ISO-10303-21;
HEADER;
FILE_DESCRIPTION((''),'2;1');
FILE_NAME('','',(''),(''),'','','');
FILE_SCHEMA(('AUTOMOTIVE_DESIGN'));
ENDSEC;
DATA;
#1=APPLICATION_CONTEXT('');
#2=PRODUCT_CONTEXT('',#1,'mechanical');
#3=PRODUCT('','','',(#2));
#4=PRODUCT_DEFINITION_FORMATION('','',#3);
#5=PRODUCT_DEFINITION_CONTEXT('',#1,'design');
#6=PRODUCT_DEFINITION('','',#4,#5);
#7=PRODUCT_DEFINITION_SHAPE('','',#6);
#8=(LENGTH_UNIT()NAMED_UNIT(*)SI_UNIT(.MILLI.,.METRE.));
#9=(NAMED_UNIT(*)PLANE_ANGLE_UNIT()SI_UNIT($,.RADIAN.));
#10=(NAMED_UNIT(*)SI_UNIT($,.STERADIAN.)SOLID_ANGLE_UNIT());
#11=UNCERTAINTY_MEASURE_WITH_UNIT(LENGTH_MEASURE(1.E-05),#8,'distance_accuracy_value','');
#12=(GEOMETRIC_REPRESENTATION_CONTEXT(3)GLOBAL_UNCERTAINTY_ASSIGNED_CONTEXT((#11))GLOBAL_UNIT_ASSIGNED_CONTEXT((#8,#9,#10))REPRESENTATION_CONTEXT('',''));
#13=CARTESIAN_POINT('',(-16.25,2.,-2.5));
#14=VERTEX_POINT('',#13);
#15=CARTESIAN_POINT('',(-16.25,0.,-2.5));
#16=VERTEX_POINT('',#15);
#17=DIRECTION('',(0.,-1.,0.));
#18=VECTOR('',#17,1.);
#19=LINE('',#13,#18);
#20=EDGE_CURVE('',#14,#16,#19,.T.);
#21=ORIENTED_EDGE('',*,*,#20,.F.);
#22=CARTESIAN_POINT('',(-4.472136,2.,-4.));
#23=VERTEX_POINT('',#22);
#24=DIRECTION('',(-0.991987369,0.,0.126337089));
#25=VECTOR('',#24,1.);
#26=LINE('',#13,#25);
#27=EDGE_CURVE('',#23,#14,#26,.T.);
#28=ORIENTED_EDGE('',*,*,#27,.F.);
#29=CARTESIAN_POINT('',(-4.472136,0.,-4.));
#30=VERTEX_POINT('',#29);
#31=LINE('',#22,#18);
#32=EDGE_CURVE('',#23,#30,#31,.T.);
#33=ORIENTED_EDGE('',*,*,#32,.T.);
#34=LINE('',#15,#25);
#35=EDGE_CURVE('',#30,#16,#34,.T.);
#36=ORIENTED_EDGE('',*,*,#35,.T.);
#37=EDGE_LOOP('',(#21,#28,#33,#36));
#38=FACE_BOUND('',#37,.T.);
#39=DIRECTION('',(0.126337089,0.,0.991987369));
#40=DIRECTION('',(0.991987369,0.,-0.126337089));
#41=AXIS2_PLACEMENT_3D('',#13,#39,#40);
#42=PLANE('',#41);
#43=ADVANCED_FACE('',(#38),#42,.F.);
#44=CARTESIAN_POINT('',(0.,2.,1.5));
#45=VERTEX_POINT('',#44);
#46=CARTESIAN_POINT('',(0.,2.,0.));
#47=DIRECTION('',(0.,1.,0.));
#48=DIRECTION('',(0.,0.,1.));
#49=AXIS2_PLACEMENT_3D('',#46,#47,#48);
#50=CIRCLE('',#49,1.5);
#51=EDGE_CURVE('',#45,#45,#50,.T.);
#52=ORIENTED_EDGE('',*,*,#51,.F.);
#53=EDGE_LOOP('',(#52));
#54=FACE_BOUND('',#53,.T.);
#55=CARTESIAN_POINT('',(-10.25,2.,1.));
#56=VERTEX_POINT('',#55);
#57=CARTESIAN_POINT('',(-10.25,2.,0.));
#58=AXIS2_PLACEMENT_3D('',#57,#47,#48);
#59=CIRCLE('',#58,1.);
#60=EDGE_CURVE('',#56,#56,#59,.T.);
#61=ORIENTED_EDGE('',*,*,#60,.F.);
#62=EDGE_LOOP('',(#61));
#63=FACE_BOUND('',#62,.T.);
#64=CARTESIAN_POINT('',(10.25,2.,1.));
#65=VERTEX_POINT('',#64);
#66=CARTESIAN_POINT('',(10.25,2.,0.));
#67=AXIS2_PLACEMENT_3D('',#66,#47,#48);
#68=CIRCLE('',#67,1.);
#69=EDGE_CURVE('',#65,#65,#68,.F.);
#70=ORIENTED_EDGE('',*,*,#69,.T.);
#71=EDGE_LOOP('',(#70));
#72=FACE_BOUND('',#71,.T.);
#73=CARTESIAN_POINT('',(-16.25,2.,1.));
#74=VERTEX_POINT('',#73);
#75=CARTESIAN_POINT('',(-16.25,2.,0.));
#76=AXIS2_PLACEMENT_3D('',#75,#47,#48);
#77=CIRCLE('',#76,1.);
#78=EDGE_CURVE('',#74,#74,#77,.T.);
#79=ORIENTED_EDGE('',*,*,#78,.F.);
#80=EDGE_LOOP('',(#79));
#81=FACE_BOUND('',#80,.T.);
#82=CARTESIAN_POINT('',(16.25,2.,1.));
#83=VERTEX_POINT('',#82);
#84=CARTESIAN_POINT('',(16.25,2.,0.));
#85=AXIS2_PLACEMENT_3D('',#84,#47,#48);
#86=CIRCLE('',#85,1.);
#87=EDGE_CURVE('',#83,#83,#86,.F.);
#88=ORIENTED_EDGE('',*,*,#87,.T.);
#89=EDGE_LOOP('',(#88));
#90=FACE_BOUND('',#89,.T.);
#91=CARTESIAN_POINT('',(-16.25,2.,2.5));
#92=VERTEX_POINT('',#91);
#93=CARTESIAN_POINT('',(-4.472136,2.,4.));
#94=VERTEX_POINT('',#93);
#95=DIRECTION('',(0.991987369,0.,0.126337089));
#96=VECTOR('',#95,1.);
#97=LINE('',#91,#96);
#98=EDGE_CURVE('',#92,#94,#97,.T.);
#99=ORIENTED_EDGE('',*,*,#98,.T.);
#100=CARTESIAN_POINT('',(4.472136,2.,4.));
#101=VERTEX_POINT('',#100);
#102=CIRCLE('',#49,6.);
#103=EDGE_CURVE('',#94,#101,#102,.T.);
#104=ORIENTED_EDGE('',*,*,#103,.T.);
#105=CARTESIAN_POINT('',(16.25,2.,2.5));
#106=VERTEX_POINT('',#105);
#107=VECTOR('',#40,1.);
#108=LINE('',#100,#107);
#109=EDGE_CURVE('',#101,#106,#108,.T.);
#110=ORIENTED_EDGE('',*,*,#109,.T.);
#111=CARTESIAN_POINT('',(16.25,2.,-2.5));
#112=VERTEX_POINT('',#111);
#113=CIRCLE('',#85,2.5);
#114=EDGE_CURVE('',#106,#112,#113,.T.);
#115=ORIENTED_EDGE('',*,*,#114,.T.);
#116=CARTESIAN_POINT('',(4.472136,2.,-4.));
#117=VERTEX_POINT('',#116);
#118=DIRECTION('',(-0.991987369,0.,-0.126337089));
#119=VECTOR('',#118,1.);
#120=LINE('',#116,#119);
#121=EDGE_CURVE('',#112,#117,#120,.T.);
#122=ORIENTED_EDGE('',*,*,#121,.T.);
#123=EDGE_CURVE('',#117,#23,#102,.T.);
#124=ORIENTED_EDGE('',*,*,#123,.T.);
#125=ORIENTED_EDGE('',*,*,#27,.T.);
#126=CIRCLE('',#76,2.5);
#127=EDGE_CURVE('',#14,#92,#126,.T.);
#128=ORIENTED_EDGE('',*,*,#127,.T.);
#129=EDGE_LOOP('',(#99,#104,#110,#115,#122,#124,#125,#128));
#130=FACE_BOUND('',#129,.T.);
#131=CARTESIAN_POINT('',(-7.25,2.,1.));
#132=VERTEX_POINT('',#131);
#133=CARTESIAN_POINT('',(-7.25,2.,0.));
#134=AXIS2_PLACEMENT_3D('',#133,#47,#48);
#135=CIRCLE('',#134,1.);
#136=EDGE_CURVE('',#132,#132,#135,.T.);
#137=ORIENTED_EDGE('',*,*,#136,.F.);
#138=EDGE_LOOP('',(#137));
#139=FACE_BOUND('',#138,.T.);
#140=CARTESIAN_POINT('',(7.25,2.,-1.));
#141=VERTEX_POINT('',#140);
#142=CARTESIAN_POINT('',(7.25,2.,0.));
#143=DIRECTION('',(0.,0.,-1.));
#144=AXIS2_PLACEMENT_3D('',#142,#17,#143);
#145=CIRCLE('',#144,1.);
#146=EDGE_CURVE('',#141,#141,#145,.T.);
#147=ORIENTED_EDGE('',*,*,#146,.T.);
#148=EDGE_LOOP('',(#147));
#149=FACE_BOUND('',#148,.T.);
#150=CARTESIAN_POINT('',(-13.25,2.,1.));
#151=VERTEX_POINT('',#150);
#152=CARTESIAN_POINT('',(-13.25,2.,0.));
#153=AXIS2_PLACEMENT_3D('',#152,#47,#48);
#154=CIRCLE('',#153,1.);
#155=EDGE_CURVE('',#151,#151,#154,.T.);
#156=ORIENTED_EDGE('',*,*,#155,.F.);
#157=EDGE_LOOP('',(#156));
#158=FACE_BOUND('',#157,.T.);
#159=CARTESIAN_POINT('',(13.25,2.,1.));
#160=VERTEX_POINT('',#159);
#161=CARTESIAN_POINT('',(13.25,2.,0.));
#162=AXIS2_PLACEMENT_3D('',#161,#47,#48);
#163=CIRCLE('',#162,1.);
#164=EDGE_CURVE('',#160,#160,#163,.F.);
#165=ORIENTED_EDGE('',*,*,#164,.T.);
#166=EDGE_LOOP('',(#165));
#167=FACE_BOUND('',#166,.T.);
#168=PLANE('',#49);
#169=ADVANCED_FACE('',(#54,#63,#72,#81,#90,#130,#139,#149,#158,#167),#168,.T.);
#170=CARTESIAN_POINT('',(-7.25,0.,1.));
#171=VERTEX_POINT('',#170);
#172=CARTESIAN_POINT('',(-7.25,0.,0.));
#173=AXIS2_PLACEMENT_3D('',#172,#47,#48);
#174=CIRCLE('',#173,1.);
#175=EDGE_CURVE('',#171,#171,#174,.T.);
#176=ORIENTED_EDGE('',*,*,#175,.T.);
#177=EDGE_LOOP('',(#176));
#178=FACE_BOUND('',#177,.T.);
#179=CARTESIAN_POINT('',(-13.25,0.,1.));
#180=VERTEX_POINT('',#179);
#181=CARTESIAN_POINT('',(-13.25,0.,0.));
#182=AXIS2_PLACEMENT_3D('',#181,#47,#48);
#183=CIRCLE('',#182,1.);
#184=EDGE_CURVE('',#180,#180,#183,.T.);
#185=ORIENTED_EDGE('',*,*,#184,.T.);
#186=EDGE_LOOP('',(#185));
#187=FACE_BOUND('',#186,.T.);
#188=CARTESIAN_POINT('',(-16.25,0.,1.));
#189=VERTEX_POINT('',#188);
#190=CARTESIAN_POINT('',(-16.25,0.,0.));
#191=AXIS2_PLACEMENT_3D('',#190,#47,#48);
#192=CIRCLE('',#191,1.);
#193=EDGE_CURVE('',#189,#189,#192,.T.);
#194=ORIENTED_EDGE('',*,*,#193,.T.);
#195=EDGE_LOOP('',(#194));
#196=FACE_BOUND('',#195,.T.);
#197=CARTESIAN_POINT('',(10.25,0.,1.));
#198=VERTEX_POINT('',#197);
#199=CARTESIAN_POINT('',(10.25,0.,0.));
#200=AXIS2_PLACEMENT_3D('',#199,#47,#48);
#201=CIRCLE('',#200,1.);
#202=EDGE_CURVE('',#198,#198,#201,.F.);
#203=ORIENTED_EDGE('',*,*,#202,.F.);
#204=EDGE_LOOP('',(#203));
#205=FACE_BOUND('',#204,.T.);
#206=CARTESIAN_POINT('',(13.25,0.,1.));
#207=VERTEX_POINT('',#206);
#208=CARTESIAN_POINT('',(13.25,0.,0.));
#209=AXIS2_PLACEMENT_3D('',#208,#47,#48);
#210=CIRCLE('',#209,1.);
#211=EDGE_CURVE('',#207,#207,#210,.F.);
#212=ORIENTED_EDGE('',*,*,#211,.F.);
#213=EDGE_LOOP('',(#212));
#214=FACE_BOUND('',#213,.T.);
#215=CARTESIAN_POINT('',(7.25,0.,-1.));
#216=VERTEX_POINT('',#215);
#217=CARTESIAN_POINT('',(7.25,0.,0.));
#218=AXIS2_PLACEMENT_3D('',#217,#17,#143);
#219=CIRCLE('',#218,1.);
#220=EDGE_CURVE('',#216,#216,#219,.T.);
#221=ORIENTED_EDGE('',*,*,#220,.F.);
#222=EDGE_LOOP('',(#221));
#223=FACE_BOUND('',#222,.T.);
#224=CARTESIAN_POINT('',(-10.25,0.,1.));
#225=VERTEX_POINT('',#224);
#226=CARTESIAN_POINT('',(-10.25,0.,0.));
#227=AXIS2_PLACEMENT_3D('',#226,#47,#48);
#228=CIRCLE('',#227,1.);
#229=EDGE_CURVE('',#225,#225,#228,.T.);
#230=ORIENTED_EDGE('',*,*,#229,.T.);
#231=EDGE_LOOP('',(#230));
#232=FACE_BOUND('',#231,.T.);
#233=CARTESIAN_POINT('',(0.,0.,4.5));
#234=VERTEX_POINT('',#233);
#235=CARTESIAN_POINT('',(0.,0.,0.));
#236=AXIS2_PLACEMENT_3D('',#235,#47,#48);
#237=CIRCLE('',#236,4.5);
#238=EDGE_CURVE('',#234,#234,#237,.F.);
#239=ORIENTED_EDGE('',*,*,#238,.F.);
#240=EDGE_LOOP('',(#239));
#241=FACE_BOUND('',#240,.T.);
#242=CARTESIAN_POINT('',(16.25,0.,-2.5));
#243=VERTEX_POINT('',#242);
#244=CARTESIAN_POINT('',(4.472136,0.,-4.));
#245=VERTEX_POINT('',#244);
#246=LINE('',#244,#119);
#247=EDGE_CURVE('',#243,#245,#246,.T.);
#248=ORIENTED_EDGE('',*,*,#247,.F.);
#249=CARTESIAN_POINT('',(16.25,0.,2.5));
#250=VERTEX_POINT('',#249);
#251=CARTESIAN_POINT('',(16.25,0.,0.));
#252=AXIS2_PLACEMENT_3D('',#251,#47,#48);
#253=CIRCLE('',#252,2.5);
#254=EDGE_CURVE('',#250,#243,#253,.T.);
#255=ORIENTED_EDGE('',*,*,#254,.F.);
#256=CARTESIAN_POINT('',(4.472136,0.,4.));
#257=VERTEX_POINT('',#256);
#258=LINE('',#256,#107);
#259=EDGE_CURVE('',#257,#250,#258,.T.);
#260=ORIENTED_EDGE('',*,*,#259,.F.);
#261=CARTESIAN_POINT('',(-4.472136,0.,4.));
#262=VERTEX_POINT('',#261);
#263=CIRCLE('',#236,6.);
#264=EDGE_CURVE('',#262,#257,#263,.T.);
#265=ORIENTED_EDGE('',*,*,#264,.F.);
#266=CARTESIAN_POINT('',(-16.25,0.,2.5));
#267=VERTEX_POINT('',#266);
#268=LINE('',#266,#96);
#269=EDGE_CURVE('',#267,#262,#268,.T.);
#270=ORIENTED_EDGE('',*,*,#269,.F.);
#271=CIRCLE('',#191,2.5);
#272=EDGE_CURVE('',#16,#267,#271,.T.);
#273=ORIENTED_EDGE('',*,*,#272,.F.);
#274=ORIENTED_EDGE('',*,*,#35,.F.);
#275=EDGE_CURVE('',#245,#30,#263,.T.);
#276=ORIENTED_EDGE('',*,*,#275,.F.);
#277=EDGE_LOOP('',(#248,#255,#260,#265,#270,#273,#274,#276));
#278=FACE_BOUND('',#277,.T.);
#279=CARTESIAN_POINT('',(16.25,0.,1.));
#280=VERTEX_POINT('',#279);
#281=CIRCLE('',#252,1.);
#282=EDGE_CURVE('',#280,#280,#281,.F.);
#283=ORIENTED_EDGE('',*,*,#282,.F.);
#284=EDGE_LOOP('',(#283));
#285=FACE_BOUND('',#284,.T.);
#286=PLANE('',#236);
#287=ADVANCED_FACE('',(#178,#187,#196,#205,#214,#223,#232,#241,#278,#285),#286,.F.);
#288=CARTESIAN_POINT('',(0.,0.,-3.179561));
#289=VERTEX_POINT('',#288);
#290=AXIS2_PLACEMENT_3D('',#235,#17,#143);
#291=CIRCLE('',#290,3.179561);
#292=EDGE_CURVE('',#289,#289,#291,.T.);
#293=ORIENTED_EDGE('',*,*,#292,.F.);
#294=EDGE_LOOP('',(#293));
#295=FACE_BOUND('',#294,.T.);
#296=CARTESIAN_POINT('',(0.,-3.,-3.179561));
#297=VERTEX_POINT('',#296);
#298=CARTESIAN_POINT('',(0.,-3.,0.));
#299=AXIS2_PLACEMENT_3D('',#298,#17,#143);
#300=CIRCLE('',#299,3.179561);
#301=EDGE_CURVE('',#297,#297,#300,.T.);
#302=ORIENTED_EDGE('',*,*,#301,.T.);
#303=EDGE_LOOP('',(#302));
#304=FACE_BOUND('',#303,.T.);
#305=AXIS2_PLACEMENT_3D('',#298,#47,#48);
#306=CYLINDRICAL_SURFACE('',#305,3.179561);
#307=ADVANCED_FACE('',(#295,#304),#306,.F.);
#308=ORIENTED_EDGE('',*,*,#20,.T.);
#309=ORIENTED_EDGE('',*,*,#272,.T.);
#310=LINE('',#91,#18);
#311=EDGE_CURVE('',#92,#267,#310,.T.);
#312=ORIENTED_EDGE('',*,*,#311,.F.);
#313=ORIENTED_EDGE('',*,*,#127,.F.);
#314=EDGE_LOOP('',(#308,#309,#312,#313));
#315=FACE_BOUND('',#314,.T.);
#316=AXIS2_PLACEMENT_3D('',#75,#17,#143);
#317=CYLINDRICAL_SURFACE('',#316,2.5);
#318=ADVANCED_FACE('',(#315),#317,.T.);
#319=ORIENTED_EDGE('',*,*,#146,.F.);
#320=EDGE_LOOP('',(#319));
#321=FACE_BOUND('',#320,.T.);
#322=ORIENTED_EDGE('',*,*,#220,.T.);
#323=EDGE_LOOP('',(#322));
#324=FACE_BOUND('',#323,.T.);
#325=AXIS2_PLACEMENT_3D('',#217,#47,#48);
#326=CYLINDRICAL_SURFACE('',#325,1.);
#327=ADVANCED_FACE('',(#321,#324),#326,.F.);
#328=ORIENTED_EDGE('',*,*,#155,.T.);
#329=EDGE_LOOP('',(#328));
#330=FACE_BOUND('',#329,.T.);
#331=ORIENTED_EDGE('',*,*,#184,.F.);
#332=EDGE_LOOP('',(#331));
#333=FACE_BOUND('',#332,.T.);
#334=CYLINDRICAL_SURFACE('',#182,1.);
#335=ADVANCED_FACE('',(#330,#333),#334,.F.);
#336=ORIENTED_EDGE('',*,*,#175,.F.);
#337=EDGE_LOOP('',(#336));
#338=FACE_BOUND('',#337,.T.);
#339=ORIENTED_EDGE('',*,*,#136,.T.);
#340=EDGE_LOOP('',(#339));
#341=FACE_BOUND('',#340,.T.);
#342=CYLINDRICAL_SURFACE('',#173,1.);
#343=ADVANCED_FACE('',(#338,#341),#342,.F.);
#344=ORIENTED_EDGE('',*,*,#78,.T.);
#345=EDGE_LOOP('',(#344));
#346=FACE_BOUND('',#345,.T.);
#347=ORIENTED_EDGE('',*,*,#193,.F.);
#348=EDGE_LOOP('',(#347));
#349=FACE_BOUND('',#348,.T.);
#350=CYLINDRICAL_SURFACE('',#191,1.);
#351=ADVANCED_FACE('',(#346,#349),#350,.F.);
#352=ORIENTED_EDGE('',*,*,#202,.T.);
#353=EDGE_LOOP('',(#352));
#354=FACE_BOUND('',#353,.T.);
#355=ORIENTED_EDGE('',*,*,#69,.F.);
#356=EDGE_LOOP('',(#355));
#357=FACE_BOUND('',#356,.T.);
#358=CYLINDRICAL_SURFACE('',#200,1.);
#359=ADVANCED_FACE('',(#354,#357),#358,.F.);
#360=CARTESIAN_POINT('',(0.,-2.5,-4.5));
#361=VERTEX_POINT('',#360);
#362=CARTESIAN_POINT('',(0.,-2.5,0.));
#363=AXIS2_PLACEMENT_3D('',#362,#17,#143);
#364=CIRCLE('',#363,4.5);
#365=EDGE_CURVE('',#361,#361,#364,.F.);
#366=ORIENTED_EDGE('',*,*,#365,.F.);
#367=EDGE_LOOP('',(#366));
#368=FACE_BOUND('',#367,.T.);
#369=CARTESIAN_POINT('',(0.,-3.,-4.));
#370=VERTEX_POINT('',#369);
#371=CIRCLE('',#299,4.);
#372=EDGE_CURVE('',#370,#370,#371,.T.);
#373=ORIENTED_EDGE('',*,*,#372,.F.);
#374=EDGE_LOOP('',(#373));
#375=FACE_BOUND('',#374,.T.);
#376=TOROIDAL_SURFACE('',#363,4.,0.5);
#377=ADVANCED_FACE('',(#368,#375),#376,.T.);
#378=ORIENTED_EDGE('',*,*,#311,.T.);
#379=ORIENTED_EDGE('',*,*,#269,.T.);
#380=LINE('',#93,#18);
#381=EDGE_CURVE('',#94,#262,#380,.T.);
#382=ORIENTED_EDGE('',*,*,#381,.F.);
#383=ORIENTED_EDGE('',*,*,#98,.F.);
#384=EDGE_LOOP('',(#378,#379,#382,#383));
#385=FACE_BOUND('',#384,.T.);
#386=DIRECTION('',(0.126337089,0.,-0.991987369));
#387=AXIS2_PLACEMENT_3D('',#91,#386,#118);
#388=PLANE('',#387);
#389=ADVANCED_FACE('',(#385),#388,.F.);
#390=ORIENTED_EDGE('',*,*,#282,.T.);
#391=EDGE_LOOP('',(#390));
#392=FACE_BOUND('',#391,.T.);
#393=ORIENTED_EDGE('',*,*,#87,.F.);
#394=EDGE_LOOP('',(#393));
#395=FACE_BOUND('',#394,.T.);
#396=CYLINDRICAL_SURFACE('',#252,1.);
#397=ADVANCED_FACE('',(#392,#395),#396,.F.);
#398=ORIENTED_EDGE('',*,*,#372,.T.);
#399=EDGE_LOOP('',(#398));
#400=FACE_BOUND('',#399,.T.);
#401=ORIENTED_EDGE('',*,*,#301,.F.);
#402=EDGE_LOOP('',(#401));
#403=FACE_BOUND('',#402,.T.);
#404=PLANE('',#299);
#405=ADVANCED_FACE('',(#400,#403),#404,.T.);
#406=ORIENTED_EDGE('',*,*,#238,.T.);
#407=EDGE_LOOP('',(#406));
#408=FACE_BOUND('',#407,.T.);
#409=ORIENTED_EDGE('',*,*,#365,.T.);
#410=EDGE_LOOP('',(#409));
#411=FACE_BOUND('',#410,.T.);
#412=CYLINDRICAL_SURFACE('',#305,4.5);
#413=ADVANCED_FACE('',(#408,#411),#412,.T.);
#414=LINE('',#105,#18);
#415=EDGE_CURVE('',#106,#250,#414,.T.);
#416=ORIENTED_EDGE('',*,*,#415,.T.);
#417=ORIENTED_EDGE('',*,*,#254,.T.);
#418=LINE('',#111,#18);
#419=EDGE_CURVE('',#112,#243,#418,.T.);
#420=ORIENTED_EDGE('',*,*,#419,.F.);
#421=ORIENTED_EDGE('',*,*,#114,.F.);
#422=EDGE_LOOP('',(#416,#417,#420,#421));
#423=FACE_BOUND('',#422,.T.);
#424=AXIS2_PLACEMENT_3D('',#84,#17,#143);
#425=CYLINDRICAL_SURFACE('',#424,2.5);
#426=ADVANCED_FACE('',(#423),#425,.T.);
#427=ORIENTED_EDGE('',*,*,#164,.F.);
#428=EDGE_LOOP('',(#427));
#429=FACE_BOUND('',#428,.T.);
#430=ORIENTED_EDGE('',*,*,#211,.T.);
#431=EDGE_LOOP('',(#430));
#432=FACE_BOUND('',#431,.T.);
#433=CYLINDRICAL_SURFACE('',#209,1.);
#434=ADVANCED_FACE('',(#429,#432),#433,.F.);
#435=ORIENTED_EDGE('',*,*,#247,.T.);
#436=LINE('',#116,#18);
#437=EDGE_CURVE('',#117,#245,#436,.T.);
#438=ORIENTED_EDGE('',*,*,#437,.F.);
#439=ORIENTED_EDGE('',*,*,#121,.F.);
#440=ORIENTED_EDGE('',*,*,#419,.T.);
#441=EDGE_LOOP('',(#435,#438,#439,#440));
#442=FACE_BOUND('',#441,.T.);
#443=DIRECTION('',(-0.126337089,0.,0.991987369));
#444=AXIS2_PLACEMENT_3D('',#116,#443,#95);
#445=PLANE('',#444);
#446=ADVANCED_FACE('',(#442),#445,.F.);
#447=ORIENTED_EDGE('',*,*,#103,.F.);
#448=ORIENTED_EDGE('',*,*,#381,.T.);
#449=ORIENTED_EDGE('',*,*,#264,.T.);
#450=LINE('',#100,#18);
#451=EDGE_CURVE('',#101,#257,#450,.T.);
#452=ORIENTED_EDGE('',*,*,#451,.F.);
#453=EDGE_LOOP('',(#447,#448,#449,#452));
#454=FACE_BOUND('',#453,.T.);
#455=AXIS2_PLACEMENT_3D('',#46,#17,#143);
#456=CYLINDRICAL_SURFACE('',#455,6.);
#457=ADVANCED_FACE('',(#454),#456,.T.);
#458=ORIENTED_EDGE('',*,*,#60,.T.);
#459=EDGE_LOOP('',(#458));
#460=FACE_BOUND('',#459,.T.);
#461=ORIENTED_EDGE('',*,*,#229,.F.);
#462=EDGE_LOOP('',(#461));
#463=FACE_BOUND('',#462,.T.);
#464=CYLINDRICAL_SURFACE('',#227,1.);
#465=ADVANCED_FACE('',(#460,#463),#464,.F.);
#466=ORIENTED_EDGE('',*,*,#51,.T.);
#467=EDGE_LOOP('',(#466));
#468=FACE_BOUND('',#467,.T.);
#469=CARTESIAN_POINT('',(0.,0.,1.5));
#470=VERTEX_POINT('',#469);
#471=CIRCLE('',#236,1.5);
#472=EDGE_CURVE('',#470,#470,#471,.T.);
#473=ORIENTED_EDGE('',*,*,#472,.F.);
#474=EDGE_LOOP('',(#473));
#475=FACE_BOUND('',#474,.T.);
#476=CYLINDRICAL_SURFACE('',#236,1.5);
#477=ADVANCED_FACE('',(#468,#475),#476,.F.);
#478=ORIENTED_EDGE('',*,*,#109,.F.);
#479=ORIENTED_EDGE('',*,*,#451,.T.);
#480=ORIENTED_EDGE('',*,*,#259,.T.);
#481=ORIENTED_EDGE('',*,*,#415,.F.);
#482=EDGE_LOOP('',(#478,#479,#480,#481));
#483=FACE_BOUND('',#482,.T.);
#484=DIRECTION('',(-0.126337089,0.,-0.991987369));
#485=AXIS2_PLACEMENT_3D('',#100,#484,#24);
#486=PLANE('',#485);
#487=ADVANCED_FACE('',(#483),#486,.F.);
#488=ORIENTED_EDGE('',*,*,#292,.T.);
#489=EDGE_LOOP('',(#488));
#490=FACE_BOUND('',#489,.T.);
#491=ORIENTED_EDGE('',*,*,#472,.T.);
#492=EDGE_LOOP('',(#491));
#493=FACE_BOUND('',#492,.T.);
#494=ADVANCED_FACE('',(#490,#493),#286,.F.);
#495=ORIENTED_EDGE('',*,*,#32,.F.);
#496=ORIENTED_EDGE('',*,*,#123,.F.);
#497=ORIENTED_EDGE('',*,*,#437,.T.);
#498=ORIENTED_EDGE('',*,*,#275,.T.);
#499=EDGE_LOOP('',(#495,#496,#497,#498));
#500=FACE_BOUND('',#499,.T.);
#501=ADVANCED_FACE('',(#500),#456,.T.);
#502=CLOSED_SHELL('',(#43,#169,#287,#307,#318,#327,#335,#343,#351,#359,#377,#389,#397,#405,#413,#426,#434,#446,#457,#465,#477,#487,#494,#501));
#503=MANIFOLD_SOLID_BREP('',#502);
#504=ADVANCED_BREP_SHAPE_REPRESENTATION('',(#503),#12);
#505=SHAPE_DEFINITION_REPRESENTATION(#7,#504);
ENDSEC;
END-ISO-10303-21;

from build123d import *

# Parameters (mm, degrees)
BOSS_EXTRUDE1_DEPTH = 2
SKETCH3_R           = 1
SKETCH3_R_2         = 1.5
CUT_EXTRUDE1_DEPTH  = 20.787938245
SKETCH4_R           = 4.5
SKETCH4_R_2         = 3.179560916
BOSS_EXTRUDE2_DEPTH = 3
FILLET1_R           = 0.5


with BuildPart() as part:
    # Sketch1 → Boss-Extrude1 (new body)
    with BuildSketch(Plane(origin=(0, 0, 0), x_dir=(1, 0, 0), z_dir=(0, 1, 0))):
        with BuildLine():
            Line((4.472135955, 4), (16.25, 2.5))
            ThreePointArc((16.25, 2.5), (18.75, 0), (16.25, -2.5))
            Line((16.25, -2.5), (4.472135955, -4))
            ThreePointArc((4.472135955, -4), (0, -6), (-4.472135955, -4))
            Line((-4.472135955, -4), (-16.25, -2.5))
            ThreePointArc((-16.25, -2.5), (-18.75, 0), (-16.25, 2.5))
            Line((-16.25, 2.5), (-4.472135955, 4))
            ThreePointArc((-4.472135955, 4), (0, 6), (4.472135955, 4))
        make_face()
    extrude(amount=BOSS_EXTRUDE1_DEPTH)

    # Sketch3 → Cut-Extrude1 (cut, through all)
    with BuildSketch(Plane(origin=(0, 2, 0), x_dir=(1, 0, 0), z_dir=(0, 1, 0))):
        with Locations(Location((-10.25, 0, 0), (0, 0, 270))):
            Circle(SKETCH3_R)
        with Locations(Location((-7.25, 0, 0), (0, 0, 270))):
            Circle(SKETCH3_R)
        with Locations(Location((0, 0, 0), (0, 0, 270))):
            Circle(SKETCH3_R_2)
        with Locations(Location((13.25, 0, 0), (0, 0, 270))):
            Circle(SKETCH3_R)
        with Locations(Location((16.25, 0, 0), (0, 0, 270))):
            Circle(SKETCH3_R)
        with Locations(Location((10.25, 0, 0), (0, 0, 270))):
            Circle(SKETCH3_R)
        with Locations(Location((-16.25, 0, 0), (0, 0, 270))):
            Circle(SKETCH3_R)
        with Locations(Location((-13.25, 0, 0), (0, 0, 270))):
            Circle(SKETCH3_R)
        with Locations(Location((7.25, 0, 0), (0, 0, 90))):
            Circle(SKETCH3_R)
    extrude(amount=-CUT_EXTRUDE1_DEPTH, mode=Mode.SUBTRACT)

    # Sketch4 → Boss-Extrude2 (add)
    with BuildSketch(Plane.XZ):
        with Locations(Location((0, 0, 0), (0, 0, 90))):
            Circle(SKETCH4_R)
        with Locations(Location((0, 0, 0), (0, 0, 270))):
            Circle(SKETCH4_R_2, mode=Mode.SUBTRACT)
    extrude(amount=BOSS_EXTRUDE2_DEPTH)

    # Fillet1
    fillet1_edges = [part.edges().sort_by_distance(p)[0] for p in [
        (0, -3, -4.5),
    ]]
    fillet(fillet1_edges, radius=FILLET1_R)


solid = part.part
